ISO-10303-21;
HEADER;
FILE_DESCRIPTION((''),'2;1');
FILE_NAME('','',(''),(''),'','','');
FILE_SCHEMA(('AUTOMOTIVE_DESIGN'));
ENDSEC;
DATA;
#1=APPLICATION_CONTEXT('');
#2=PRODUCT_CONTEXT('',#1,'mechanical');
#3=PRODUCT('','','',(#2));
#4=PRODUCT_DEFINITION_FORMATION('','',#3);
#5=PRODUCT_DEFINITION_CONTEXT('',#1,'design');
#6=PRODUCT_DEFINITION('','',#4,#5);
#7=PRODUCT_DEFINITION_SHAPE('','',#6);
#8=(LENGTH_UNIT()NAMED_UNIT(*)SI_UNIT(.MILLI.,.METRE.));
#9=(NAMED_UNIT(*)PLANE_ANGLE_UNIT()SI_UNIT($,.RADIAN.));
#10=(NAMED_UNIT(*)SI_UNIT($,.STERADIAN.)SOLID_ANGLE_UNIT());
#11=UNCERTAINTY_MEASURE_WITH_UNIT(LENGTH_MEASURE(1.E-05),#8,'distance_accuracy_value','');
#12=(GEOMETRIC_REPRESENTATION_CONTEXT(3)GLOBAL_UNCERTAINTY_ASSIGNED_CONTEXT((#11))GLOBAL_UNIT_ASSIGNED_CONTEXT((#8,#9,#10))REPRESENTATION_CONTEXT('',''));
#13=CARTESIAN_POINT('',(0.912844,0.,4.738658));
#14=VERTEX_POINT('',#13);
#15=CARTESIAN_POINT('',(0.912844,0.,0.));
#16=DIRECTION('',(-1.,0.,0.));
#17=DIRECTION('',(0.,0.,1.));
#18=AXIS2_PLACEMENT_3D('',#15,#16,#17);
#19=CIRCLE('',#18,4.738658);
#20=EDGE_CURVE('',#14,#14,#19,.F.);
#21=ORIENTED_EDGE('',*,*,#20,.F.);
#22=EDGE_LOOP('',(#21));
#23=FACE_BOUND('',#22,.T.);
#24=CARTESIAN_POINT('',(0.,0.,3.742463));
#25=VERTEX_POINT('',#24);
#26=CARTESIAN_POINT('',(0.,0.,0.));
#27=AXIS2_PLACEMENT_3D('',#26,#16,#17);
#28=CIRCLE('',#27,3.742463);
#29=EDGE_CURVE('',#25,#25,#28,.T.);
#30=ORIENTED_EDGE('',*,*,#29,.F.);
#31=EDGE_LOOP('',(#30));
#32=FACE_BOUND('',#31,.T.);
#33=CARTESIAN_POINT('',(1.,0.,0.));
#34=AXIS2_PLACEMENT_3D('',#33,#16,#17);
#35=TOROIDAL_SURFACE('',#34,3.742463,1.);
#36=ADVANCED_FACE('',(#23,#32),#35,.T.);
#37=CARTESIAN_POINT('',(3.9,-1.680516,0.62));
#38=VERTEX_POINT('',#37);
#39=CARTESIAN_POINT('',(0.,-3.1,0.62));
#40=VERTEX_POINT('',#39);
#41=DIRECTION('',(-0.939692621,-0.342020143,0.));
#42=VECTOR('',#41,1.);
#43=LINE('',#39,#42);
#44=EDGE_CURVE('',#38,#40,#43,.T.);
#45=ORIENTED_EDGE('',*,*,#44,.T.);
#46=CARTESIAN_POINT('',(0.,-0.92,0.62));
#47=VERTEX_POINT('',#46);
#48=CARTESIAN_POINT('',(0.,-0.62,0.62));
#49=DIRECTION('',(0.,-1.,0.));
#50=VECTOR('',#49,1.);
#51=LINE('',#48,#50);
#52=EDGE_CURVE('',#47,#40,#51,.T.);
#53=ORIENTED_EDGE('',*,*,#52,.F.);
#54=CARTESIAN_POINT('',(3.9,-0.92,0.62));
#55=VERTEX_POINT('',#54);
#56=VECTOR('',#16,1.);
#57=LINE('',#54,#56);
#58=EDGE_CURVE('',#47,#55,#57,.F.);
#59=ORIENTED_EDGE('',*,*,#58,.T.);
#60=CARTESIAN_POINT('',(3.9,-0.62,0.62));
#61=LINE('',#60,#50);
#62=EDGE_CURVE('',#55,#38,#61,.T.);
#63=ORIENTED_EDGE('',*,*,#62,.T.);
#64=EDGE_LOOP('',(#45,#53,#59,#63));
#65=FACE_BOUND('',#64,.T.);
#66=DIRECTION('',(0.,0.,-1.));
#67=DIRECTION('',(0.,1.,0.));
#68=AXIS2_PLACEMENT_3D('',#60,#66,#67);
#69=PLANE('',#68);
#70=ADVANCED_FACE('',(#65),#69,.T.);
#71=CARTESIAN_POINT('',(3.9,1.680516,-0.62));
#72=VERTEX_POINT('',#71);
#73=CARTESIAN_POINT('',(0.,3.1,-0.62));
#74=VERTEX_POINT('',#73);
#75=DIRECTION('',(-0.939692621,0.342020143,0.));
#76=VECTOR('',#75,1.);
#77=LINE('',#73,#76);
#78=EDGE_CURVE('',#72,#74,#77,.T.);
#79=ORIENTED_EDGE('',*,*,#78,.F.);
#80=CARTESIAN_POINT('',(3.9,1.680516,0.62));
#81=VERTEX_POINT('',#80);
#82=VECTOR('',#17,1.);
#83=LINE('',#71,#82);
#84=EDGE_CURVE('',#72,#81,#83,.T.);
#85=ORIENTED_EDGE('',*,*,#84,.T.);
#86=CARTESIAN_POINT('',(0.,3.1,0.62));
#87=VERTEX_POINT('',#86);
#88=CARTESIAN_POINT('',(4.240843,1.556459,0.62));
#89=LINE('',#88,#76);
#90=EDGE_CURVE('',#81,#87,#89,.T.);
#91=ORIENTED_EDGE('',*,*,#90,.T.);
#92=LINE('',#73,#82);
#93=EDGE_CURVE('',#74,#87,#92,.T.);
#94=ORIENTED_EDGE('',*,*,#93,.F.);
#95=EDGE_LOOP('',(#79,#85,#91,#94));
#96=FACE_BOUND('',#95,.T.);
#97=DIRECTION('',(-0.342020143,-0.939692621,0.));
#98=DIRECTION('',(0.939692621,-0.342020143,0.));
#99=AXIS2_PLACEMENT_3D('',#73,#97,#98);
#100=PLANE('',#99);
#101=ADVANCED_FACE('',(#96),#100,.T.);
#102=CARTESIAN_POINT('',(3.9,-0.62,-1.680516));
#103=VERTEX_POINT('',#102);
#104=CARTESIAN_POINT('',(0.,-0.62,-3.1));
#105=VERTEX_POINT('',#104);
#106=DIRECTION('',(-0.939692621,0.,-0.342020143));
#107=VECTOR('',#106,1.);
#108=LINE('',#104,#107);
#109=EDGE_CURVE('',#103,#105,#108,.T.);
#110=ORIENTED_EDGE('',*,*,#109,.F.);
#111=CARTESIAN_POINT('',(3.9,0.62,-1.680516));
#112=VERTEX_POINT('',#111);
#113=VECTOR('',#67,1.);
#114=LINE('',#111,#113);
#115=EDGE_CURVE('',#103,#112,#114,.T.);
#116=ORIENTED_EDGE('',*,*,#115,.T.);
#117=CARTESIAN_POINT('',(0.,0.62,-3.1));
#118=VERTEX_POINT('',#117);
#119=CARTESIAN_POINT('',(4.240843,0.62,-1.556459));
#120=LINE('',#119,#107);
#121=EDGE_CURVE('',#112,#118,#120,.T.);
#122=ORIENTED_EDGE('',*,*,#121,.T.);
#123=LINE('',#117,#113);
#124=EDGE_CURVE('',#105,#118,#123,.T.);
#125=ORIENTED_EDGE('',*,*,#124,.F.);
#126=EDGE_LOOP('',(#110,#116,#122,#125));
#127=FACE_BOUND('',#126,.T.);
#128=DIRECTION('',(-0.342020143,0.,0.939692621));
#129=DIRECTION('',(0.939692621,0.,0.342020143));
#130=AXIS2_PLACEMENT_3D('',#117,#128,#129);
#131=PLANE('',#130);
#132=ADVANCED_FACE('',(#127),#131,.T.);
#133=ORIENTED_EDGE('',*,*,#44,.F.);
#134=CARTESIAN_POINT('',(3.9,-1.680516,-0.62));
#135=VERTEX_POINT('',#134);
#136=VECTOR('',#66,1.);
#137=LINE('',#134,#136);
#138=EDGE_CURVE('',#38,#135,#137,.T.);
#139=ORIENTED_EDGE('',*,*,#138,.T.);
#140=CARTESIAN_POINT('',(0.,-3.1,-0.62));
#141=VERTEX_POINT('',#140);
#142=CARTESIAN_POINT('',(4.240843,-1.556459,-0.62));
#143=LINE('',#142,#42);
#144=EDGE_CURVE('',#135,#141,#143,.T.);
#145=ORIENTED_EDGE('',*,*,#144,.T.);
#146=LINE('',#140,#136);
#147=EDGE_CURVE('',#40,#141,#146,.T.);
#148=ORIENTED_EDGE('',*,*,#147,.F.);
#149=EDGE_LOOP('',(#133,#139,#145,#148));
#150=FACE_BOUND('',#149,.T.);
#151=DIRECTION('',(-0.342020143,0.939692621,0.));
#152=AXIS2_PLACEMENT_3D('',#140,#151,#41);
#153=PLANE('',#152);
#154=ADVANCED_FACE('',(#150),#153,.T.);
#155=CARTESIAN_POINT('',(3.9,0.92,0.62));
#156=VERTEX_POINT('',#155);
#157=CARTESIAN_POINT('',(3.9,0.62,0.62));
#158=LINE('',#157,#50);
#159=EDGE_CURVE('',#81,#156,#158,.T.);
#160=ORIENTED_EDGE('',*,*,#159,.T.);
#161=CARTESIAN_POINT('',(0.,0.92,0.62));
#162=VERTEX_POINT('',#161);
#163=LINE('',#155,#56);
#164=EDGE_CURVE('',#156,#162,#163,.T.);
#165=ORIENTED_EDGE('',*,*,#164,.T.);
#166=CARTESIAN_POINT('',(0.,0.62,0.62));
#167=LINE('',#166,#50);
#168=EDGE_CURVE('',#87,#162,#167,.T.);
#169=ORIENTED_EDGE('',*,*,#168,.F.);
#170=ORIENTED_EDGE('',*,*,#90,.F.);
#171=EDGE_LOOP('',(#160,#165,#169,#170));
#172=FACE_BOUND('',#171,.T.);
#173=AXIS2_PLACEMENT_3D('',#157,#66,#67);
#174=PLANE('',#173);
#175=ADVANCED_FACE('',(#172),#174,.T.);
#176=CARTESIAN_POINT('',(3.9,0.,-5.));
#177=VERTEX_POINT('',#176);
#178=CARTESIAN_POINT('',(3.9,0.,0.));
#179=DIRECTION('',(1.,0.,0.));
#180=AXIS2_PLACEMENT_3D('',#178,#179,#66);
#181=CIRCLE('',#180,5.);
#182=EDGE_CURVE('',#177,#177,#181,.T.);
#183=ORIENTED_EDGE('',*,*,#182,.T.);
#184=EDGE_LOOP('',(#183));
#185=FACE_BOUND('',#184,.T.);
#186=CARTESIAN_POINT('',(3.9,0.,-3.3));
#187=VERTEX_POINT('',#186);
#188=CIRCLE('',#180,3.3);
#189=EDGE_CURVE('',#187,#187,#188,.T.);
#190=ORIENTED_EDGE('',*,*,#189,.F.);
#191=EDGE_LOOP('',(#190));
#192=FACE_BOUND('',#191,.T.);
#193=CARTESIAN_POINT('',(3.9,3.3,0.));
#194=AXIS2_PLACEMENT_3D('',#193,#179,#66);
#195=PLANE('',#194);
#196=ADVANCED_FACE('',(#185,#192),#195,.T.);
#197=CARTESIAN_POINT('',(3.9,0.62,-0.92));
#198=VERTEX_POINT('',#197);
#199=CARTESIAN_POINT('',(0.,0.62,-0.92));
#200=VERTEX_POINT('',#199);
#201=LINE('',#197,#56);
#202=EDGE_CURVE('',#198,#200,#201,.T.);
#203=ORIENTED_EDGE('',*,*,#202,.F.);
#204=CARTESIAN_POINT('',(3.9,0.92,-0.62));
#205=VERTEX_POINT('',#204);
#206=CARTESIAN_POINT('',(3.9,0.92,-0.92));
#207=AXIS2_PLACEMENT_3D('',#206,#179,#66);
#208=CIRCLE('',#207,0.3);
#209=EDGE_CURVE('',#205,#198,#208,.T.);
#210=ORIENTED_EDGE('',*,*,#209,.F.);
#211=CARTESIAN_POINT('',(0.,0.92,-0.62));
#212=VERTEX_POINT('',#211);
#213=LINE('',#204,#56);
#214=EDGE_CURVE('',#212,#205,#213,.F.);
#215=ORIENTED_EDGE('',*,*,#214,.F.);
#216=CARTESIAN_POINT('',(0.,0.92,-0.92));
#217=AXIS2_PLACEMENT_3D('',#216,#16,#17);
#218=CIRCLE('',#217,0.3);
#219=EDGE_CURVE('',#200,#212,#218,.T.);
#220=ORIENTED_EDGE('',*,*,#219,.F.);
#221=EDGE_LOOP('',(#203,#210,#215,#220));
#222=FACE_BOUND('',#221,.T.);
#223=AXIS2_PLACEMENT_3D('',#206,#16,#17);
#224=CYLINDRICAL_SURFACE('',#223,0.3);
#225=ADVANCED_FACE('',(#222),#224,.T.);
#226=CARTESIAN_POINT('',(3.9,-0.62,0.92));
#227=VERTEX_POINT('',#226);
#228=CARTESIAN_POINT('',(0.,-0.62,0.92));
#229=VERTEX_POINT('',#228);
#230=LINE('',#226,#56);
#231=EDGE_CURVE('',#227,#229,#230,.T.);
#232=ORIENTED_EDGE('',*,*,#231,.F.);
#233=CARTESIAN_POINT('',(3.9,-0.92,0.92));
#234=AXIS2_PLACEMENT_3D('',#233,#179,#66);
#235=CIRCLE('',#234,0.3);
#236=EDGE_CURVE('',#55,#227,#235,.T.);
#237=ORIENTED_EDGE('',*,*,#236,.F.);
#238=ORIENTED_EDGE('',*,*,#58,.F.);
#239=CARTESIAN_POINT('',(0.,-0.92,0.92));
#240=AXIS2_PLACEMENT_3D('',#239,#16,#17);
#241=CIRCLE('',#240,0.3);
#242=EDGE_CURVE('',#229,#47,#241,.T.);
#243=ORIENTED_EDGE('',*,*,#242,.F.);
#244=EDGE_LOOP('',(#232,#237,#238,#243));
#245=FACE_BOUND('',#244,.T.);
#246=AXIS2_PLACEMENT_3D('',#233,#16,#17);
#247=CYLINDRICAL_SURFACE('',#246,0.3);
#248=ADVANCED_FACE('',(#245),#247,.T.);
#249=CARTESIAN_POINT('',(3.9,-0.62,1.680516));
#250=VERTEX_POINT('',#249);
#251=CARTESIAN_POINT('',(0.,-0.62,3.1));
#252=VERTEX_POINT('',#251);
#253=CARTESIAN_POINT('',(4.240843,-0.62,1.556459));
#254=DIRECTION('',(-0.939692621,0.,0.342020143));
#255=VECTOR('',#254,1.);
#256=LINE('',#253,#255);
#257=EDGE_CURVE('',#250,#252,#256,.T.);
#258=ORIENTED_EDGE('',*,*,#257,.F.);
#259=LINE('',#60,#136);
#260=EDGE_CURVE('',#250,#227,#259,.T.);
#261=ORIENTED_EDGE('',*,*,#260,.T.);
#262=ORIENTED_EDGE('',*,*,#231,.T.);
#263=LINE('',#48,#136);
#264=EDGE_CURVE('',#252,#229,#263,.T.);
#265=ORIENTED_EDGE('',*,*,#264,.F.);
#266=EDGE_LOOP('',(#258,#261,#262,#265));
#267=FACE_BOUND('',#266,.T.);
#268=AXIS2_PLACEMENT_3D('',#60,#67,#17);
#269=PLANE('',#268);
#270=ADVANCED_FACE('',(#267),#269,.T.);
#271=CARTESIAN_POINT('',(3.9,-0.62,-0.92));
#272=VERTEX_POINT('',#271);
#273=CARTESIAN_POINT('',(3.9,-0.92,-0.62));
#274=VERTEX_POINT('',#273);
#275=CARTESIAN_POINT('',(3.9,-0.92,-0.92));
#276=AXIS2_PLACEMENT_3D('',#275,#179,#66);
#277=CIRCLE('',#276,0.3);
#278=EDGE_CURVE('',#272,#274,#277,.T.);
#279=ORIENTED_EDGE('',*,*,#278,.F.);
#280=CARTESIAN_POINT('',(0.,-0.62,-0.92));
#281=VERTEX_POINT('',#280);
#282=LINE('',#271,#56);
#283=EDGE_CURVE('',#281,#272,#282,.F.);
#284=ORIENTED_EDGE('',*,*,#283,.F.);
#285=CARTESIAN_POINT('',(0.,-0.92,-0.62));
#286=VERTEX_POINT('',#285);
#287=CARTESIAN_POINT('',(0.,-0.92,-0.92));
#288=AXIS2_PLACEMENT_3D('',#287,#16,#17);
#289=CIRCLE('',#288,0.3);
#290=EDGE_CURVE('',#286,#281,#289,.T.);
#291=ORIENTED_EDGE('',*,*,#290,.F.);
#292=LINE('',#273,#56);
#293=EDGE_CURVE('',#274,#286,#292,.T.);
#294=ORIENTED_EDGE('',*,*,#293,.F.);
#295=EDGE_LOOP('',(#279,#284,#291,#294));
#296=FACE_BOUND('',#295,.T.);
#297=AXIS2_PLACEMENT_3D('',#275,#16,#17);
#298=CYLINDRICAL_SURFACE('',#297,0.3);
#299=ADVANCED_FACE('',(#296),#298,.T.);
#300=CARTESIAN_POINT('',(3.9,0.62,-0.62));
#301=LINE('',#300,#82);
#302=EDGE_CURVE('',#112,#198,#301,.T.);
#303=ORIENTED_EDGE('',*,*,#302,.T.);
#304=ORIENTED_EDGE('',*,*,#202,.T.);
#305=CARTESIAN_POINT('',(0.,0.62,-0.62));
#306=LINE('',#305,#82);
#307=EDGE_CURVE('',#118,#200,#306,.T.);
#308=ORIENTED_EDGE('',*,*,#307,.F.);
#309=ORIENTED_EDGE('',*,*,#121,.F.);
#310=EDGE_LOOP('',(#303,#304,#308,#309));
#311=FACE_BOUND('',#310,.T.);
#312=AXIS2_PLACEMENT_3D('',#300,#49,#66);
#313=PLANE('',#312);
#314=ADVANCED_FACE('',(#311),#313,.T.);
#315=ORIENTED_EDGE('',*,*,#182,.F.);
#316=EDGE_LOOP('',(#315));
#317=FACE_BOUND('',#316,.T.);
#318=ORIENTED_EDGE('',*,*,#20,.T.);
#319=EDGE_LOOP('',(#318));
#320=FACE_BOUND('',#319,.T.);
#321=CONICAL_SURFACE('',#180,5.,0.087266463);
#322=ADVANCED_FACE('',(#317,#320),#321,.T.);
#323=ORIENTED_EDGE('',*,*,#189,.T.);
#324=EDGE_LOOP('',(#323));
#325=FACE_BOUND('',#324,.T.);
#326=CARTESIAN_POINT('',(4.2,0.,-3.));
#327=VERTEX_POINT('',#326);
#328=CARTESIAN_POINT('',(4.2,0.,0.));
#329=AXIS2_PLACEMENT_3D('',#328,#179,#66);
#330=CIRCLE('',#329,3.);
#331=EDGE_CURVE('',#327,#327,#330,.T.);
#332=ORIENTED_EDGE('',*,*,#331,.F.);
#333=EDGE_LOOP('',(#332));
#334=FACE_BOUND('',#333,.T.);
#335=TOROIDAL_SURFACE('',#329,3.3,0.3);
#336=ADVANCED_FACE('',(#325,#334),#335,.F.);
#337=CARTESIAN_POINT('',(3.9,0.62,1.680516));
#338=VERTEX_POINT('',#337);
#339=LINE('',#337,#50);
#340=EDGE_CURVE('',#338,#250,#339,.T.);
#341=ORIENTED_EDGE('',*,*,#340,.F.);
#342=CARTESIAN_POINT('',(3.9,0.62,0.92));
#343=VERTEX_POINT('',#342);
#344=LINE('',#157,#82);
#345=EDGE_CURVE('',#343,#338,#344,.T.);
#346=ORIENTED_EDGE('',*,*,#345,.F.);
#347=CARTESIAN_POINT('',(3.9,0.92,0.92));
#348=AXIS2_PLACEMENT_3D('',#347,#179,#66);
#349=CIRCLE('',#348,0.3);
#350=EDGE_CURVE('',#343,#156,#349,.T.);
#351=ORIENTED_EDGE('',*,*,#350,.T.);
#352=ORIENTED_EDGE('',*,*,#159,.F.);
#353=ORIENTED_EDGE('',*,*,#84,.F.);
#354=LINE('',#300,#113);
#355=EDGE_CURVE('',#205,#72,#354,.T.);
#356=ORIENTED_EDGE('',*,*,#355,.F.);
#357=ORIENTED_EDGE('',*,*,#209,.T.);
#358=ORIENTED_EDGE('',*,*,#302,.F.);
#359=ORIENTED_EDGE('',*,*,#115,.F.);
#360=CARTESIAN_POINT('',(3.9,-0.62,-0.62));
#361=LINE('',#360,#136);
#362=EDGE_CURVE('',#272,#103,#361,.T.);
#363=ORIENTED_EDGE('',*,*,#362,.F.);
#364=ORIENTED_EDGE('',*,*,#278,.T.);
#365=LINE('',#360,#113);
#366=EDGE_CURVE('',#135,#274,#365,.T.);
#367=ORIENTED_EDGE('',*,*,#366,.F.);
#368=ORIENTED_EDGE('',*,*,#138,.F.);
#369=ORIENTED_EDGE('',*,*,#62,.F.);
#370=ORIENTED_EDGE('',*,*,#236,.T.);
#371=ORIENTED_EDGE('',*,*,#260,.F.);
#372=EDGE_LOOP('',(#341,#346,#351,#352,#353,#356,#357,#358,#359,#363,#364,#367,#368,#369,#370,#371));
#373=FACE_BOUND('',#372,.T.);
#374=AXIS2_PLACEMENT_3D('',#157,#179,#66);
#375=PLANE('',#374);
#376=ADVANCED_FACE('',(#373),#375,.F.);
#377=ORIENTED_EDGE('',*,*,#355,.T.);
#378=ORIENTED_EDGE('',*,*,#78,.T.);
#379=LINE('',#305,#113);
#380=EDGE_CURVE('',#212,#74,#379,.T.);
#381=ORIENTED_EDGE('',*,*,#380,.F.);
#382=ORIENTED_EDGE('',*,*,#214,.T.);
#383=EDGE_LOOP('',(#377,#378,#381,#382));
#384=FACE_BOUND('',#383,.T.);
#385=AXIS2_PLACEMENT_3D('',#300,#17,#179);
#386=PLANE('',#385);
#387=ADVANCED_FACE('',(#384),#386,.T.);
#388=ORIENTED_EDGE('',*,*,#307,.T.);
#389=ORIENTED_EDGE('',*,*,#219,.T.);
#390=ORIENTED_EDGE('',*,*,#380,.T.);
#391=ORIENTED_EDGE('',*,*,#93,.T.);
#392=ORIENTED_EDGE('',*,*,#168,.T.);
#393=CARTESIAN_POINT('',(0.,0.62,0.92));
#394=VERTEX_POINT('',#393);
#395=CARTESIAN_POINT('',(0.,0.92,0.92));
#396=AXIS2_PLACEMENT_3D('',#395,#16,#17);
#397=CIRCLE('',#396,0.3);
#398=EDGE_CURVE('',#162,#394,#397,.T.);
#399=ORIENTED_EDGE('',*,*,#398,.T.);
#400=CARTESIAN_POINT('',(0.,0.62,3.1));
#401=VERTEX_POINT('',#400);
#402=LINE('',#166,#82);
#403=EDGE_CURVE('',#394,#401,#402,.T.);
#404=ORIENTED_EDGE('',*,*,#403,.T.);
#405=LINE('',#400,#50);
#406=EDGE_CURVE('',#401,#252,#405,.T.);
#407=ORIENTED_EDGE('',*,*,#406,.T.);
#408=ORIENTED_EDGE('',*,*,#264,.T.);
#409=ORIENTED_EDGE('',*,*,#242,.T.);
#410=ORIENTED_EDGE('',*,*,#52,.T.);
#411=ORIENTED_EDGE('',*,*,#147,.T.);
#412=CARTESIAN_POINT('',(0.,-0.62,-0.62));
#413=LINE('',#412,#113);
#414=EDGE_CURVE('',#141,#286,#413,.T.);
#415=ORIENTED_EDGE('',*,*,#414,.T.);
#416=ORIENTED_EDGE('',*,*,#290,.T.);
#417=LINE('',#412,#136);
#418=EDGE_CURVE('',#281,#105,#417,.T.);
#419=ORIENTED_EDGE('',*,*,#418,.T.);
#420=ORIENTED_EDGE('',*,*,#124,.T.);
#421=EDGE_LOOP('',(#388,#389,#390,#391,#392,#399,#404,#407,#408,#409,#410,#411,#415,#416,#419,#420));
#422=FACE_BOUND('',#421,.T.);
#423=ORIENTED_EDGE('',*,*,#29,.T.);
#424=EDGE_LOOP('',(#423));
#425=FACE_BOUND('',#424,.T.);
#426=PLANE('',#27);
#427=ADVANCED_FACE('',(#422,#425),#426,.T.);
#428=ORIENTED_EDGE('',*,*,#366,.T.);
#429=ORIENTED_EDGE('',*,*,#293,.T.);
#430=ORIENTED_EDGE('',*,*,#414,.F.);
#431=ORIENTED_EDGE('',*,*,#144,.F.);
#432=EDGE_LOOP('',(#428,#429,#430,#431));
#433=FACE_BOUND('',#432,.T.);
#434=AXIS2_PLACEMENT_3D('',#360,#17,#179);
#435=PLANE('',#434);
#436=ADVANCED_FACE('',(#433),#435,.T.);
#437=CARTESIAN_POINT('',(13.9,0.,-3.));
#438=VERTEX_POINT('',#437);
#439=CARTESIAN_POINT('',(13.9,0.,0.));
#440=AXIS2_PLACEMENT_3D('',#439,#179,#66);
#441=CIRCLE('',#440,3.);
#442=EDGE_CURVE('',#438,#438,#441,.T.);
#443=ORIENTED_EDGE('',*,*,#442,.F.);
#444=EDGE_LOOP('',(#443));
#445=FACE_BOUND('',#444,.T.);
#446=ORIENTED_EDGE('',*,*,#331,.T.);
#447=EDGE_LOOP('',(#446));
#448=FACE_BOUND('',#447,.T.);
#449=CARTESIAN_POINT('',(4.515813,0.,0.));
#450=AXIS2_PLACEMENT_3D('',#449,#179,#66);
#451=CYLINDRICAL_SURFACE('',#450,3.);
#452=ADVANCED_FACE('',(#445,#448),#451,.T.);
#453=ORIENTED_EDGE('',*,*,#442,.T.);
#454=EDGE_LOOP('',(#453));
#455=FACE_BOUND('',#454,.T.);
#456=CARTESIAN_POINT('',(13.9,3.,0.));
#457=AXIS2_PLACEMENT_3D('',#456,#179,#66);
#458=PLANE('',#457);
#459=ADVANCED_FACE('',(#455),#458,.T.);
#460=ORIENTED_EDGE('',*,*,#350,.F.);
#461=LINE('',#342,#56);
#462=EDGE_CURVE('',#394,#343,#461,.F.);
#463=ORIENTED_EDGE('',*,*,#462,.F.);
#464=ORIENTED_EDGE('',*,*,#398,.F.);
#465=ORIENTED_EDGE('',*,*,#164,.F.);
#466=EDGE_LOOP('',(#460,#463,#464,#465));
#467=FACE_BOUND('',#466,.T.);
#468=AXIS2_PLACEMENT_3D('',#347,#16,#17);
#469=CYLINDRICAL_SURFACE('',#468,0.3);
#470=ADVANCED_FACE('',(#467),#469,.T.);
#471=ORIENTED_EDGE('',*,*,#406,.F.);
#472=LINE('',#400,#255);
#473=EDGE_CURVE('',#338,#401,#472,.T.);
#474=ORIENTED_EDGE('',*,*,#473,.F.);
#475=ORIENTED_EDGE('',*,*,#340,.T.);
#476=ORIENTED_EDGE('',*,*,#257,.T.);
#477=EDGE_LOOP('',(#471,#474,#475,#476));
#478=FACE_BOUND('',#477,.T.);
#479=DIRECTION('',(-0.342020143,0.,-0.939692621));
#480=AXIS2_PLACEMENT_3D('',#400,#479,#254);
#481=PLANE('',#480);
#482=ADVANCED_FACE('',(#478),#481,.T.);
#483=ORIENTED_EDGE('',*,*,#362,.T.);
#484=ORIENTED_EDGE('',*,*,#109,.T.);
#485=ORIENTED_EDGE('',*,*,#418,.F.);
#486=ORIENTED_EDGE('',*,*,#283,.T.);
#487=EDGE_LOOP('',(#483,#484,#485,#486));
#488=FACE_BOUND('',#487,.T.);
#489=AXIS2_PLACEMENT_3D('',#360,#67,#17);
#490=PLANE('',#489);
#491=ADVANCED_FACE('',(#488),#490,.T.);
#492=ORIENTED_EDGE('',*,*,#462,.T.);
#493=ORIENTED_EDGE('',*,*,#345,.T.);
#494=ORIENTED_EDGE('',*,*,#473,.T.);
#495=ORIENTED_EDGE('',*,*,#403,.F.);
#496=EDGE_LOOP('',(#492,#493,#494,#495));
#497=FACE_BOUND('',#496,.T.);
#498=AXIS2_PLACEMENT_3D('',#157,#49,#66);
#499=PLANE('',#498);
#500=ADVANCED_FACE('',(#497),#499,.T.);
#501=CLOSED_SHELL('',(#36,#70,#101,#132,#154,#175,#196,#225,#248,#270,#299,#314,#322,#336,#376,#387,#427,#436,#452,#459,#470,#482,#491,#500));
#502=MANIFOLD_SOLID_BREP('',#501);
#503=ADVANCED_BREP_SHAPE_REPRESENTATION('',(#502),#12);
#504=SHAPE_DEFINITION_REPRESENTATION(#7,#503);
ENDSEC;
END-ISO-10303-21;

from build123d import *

# Parameters (mm, degrees)
CROSSRECESS_DEPTH = 3.9
FILLET5_R         = 0.3
HEADFILLET_R      = 1
DRAFT1_ANGLE      = 20


with BuildPart() as part:
    # Sketch1 → Base (revolve)
    with BuildSketch(Plane.XY):
        with BuildLine():
            Line((13.9, 3), (5.9, 3))
            Line((5.9, 3), (4.2, 3))
            ThreePointArc((4.2, 3), (3.987867966, 3.087867966), (3.9, 3.3))
            Line((3.9, 3.3), (3.9, 5))
            Line((3.9, 5), (0, 4.658794212))
            Line((0, 4.658794212), (0, 0))
            Line((0, 0), (13.9, 0))
            Line((13.9, 0), (13.9, 3))
        make_face()
    revolve(axis=Axis((4.515812911, 0, 0), (-1, 0, 0)))

    # Sketch6 → CrossRecess (cut)
    with BuildSketch(Plane(origin=(0, 0, 0), x_dir=(0, 0, -1), z_dir=(1, 0, 0))):
        Polygon((0.62, 0.62), (0.62, 3.1), (-0.62, 3.1), (-0.62, 0.62), (-3.1, 0.62), (-3.1, -0.62), (-0.62, -0.62), (-0.62, -3.1), (0.62, -3.1), (0.62, -0.62), (3.1, -0.62), (3.1, 0.62), align=None)
    extrude(amount=CROSSRECESS_DEPTH, mode=Mode.SUBTRACT)

    # Fillet5
    fillet5_edges = [part.edges().sort_by_distance(p)[0] for p in [
        (1.95, 0.62, 0.62),
        (1.95, -0.62, 0.62),
        (1.95, -0.62, -0.62),
        (1.95, 0.62, -0.62),
    ]]
    fillet(fillet5_edges, radius=FILLET5_R)

    # HeadFillet
    headfillet_edges = [part.edges().sort_by_distance(p)[0] for p in [
        (0, -4.658794212, 0),
    ]]
    fillet(headfillet_edges, radius=HEADFILLET_R)

    # Draft1
    draft1_faces = [part.faces().sort_by_distance(p)[0] for p in [
        (1.95, 0, 3.1),
        (1.95, -3.1, 0),
        (1.95, 0, -3.1),
        (1.95, 3.1, 0),
    ]]
    draft(draft1_faces, Plane(origin=(0, 0, 0), x_dir=(0, 0, -1), z_dir=(-1, 0, 0)), DRAFT1_ANGLE)


solid = part.part
